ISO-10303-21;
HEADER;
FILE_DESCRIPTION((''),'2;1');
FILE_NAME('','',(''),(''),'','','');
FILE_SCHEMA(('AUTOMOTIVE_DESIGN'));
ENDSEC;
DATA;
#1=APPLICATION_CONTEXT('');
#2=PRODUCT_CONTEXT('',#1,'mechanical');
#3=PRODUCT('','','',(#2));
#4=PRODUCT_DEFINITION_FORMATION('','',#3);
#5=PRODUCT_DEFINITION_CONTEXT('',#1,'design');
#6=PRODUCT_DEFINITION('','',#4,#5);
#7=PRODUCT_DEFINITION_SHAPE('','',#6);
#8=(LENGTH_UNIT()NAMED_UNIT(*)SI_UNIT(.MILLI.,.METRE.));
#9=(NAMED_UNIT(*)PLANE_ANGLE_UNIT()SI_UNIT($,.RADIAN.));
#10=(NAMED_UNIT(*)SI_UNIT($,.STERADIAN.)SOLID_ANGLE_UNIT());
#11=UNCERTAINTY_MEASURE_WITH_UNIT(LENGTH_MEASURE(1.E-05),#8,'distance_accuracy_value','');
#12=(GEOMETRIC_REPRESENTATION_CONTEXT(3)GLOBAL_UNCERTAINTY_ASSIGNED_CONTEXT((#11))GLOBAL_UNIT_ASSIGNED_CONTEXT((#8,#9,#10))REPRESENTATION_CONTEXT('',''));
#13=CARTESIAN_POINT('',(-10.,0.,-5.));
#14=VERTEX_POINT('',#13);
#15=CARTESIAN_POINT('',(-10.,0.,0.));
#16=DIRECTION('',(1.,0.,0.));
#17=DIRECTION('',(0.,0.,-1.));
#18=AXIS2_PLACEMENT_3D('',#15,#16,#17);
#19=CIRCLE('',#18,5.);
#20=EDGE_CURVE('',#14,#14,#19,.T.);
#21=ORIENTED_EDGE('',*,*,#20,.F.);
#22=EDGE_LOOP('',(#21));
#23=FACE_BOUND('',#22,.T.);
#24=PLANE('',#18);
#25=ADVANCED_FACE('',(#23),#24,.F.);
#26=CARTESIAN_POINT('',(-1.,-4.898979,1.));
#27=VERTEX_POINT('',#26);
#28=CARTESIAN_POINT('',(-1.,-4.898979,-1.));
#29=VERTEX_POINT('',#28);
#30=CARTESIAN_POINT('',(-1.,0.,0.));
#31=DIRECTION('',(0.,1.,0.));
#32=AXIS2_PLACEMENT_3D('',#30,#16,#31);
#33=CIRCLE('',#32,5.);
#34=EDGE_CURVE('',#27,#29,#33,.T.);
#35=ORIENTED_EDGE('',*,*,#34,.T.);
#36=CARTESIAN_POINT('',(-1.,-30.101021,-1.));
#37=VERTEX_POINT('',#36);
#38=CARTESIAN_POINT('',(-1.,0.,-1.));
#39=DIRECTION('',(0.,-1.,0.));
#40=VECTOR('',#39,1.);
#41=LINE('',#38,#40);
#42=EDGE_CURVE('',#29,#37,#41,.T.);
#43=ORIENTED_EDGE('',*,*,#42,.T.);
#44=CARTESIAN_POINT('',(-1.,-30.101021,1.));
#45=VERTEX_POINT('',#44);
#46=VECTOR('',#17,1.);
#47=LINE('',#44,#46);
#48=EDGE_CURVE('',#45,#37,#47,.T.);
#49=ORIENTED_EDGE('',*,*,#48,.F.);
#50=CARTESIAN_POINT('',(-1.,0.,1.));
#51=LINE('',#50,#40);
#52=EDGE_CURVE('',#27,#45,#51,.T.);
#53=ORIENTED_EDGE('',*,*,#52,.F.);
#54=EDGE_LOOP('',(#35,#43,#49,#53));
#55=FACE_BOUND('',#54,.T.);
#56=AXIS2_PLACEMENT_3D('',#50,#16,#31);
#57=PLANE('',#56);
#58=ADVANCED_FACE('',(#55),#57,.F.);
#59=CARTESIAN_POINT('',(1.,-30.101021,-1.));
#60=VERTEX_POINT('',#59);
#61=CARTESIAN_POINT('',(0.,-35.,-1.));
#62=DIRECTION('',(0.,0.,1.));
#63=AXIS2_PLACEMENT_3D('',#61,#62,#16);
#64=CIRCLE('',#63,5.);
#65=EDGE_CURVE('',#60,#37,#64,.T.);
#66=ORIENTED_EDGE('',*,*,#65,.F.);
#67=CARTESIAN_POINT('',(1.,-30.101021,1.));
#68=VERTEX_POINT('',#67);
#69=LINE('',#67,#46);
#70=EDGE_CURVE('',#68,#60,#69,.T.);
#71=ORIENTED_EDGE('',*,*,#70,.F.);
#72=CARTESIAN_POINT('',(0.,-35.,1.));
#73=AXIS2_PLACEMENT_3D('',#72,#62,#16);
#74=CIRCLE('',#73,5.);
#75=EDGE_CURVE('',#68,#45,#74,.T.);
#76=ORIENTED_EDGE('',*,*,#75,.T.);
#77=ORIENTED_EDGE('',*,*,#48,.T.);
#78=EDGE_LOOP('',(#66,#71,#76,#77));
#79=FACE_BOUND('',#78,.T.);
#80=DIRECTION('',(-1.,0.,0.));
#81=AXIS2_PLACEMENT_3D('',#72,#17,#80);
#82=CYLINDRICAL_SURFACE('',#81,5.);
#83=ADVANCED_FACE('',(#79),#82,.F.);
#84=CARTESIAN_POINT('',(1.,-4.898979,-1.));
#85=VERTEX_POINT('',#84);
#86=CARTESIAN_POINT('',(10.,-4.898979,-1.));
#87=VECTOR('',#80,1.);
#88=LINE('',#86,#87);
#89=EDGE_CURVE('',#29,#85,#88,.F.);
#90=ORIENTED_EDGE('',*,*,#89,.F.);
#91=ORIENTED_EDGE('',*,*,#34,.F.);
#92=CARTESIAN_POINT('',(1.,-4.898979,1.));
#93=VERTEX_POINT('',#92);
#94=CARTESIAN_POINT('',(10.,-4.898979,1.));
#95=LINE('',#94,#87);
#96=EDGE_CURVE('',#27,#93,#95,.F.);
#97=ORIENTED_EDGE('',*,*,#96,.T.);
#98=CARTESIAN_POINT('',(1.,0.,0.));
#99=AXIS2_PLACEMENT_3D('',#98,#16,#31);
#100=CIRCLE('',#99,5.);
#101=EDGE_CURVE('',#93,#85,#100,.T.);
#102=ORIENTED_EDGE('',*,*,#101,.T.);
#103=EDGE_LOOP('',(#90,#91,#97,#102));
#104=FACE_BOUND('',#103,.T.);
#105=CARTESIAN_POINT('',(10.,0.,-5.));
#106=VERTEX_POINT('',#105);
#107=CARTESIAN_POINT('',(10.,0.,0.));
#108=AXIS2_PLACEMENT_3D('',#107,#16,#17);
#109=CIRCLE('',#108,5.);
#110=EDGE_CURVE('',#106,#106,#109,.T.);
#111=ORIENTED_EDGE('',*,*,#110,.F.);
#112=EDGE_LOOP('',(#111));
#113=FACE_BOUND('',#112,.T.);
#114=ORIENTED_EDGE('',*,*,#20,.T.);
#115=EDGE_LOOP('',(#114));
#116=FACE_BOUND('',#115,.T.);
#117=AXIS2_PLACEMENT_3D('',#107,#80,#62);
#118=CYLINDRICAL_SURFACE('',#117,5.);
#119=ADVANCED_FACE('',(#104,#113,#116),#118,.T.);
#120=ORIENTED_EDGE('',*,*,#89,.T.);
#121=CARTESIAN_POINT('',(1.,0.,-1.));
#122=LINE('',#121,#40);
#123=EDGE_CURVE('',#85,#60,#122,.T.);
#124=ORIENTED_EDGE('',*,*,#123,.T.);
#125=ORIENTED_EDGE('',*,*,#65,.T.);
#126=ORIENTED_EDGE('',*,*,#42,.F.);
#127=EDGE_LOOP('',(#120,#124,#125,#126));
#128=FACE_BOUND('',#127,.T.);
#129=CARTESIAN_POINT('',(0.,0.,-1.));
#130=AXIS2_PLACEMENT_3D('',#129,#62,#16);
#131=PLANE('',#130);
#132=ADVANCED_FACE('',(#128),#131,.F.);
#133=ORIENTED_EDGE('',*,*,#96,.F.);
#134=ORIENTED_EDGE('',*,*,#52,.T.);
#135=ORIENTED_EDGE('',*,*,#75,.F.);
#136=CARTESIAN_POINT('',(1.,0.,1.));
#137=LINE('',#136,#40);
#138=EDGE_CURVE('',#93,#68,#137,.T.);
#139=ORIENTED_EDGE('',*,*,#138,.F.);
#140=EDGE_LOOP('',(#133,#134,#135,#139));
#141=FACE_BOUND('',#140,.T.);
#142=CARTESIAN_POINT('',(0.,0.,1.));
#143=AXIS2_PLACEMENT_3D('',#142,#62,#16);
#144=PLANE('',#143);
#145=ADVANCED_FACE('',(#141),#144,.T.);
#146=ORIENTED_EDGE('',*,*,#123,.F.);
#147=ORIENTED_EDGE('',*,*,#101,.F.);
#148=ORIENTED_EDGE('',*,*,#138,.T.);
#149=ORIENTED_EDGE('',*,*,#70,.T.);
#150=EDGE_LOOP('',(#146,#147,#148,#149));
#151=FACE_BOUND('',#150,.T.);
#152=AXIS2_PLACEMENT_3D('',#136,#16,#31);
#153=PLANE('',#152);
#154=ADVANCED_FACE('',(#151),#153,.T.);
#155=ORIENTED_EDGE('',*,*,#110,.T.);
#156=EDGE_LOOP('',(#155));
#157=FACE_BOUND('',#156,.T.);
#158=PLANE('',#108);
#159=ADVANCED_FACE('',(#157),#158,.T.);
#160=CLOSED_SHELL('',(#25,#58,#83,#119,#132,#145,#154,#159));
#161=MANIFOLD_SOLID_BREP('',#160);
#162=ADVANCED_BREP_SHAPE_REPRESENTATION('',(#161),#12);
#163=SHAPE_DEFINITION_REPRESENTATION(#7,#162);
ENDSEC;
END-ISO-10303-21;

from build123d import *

# Parameters (mm, degrees)
SKETCH1_R           = 5
BOSS_EXTRUDE1_DEPTH = 10
BOSS_EXTRUDE2_DEPTH = 1


with BuildPart() as part:
    # Sketch1 → Boss-Extrude1 (new, symmetric)
    with BuildSketch(Plane(origin=(0, 0, 0), x_dir=(0, 0, -1), z_dir=(1, 0, 0))):
        Circle(SKETCH1_R)
    extrude(amount=BOSS_EXTRUDE1_DEPTH, both=True)

    # Sketch2 → Boss-Extrude2 (add, symmetric)
    with BuildSketch(Plane.XY):
        with BuildLine():
            Line((1, 0), (-1, 0))
            Line((-1, 0), (-1, -30.101020514))
            ThreePointArc((-1, -30.101020514), (0, -30), (1, -30.101020514))
            Line((1, -30.101020514), (1, 0))
        make_face()
    extrude(amount=BOSS_EXTRUDE2_DEPTH, both=True)


solid = part.part
